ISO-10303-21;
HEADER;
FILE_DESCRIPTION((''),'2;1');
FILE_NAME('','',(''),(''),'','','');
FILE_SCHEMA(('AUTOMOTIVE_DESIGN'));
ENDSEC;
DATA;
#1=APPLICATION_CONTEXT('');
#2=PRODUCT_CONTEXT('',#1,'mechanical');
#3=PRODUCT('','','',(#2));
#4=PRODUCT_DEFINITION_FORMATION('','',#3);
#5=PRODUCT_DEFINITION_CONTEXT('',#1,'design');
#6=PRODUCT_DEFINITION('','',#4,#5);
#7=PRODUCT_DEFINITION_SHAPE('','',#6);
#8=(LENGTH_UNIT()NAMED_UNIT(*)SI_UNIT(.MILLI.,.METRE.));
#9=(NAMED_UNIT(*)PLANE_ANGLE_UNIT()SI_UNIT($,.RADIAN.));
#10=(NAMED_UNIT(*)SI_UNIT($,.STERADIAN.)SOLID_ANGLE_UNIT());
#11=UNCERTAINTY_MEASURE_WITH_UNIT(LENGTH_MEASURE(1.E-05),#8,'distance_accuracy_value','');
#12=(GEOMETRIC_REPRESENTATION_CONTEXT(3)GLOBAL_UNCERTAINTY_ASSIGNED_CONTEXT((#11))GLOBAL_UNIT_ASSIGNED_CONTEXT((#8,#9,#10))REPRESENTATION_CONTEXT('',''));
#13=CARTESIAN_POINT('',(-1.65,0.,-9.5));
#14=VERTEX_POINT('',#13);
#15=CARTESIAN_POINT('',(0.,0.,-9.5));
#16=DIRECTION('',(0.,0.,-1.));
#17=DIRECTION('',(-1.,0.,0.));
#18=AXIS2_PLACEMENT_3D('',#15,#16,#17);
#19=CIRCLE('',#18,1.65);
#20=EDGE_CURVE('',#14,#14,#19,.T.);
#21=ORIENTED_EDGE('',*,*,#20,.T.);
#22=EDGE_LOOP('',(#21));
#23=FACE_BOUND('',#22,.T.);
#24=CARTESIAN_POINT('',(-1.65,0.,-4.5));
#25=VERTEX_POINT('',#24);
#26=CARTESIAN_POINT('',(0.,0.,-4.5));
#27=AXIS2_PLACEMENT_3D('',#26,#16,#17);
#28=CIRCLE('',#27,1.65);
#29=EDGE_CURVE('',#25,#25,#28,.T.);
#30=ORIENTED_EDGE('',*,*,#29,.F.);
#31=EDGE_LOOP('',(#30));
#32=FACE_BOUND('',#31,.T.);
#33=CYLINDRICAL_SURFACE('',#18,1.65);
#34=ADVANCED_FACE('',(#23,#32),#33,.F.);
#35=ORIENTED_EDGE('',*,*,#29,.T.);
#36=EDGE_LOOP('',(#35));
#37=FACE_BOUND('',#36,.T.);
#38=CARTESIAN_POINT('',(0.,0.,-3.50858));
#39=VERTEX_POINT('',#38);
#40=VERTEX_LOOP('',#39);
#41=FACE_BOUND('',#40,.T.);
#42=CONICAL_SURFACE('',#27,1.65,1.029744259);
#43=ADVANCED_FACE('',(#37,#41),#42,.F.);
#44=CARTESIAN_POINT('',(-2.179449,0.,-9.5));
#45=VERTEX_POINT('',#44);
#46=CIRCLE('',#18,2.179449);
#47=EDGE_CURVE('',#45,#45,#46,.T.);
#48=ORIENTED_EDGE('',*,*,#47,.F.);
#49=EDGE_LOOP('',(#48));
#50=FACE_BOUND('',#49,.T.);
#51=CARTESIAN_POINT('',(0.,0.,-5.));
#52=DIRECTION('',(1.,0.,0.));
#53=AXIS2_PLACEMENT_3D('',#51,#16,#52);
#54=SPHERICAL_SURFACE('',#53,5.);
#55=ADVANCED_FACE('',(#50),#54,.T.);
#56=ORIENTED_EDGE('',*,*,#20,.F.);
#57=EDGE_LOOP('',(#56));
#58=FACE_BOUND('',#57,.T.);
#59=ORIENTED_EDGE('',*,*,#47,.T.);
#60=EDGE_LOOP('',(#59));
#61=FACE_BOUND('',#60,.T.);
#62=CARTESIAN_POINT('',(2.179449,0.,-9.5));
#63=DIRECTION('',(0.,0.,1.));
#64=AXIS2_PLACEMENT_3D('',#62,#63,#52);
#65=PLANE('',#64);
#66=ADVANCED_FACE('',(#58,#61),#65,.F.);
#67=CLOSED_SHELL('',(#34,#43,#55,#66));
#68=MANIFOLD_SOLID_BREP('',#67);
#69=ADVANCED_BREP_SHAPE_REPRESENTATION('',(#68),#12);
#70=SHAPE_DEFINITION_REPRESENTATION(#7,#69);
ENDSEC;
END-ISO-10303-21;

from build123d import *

# Parameters (mm, degrees)
M4X0_7_TAPPED_HOLE1_D     = 3.3
M4X0_7_TAPPED_HOLE1_DEPTH = 5
M4X0_7_TAPPED_HOLE1_TIP   = 0.991420021


with BuildPart() as part:
    # Sketch2 → Revolve1 (revolve)
    with BuildSketch(Plane(origin=(0, 0, 0), x_dir=(1, 0, 0), z_dir=(0, 1, 0))):
        with BuildLine():
            Line((2.179449472, 9.5), (0, 9.5))
            Line((0, 9.5), (0, 0))
            ThreePointArc((0, 0), (4.873397172, 3.881966011), (2.179449472, 9.5))
        make_face()
    revolve(axis=Axis((0, 0, -9.5), (0, 0, 1)))

    # M4x0.7 Tapped Hole1
    with Locations(Plane(origin=(0, 0, -9.5), x_dir=(-1, 0, 0), z_dir=(0, 0, -1))):
        with Locations((0, 0)):
            Hole(M4X0_7_TAPPED_HOLE1_D / 2, depth=M4X0_7_TAPPED_HOLE1_DEPTH)
            with Locations((0, 0, -(M4X0_7_TAPPED_HOLE1_DEPTH + M4X0_7_TAPPED_HOLE1_TIP / 2))):  # 118° drill point
                Cone(0, M4X0_7_TAPPED_HOLE1_D / 2, M4X0_7_TAPPED_HOLE1_TIP, mode=Mode.SUBTRACT)


solid = part.part
